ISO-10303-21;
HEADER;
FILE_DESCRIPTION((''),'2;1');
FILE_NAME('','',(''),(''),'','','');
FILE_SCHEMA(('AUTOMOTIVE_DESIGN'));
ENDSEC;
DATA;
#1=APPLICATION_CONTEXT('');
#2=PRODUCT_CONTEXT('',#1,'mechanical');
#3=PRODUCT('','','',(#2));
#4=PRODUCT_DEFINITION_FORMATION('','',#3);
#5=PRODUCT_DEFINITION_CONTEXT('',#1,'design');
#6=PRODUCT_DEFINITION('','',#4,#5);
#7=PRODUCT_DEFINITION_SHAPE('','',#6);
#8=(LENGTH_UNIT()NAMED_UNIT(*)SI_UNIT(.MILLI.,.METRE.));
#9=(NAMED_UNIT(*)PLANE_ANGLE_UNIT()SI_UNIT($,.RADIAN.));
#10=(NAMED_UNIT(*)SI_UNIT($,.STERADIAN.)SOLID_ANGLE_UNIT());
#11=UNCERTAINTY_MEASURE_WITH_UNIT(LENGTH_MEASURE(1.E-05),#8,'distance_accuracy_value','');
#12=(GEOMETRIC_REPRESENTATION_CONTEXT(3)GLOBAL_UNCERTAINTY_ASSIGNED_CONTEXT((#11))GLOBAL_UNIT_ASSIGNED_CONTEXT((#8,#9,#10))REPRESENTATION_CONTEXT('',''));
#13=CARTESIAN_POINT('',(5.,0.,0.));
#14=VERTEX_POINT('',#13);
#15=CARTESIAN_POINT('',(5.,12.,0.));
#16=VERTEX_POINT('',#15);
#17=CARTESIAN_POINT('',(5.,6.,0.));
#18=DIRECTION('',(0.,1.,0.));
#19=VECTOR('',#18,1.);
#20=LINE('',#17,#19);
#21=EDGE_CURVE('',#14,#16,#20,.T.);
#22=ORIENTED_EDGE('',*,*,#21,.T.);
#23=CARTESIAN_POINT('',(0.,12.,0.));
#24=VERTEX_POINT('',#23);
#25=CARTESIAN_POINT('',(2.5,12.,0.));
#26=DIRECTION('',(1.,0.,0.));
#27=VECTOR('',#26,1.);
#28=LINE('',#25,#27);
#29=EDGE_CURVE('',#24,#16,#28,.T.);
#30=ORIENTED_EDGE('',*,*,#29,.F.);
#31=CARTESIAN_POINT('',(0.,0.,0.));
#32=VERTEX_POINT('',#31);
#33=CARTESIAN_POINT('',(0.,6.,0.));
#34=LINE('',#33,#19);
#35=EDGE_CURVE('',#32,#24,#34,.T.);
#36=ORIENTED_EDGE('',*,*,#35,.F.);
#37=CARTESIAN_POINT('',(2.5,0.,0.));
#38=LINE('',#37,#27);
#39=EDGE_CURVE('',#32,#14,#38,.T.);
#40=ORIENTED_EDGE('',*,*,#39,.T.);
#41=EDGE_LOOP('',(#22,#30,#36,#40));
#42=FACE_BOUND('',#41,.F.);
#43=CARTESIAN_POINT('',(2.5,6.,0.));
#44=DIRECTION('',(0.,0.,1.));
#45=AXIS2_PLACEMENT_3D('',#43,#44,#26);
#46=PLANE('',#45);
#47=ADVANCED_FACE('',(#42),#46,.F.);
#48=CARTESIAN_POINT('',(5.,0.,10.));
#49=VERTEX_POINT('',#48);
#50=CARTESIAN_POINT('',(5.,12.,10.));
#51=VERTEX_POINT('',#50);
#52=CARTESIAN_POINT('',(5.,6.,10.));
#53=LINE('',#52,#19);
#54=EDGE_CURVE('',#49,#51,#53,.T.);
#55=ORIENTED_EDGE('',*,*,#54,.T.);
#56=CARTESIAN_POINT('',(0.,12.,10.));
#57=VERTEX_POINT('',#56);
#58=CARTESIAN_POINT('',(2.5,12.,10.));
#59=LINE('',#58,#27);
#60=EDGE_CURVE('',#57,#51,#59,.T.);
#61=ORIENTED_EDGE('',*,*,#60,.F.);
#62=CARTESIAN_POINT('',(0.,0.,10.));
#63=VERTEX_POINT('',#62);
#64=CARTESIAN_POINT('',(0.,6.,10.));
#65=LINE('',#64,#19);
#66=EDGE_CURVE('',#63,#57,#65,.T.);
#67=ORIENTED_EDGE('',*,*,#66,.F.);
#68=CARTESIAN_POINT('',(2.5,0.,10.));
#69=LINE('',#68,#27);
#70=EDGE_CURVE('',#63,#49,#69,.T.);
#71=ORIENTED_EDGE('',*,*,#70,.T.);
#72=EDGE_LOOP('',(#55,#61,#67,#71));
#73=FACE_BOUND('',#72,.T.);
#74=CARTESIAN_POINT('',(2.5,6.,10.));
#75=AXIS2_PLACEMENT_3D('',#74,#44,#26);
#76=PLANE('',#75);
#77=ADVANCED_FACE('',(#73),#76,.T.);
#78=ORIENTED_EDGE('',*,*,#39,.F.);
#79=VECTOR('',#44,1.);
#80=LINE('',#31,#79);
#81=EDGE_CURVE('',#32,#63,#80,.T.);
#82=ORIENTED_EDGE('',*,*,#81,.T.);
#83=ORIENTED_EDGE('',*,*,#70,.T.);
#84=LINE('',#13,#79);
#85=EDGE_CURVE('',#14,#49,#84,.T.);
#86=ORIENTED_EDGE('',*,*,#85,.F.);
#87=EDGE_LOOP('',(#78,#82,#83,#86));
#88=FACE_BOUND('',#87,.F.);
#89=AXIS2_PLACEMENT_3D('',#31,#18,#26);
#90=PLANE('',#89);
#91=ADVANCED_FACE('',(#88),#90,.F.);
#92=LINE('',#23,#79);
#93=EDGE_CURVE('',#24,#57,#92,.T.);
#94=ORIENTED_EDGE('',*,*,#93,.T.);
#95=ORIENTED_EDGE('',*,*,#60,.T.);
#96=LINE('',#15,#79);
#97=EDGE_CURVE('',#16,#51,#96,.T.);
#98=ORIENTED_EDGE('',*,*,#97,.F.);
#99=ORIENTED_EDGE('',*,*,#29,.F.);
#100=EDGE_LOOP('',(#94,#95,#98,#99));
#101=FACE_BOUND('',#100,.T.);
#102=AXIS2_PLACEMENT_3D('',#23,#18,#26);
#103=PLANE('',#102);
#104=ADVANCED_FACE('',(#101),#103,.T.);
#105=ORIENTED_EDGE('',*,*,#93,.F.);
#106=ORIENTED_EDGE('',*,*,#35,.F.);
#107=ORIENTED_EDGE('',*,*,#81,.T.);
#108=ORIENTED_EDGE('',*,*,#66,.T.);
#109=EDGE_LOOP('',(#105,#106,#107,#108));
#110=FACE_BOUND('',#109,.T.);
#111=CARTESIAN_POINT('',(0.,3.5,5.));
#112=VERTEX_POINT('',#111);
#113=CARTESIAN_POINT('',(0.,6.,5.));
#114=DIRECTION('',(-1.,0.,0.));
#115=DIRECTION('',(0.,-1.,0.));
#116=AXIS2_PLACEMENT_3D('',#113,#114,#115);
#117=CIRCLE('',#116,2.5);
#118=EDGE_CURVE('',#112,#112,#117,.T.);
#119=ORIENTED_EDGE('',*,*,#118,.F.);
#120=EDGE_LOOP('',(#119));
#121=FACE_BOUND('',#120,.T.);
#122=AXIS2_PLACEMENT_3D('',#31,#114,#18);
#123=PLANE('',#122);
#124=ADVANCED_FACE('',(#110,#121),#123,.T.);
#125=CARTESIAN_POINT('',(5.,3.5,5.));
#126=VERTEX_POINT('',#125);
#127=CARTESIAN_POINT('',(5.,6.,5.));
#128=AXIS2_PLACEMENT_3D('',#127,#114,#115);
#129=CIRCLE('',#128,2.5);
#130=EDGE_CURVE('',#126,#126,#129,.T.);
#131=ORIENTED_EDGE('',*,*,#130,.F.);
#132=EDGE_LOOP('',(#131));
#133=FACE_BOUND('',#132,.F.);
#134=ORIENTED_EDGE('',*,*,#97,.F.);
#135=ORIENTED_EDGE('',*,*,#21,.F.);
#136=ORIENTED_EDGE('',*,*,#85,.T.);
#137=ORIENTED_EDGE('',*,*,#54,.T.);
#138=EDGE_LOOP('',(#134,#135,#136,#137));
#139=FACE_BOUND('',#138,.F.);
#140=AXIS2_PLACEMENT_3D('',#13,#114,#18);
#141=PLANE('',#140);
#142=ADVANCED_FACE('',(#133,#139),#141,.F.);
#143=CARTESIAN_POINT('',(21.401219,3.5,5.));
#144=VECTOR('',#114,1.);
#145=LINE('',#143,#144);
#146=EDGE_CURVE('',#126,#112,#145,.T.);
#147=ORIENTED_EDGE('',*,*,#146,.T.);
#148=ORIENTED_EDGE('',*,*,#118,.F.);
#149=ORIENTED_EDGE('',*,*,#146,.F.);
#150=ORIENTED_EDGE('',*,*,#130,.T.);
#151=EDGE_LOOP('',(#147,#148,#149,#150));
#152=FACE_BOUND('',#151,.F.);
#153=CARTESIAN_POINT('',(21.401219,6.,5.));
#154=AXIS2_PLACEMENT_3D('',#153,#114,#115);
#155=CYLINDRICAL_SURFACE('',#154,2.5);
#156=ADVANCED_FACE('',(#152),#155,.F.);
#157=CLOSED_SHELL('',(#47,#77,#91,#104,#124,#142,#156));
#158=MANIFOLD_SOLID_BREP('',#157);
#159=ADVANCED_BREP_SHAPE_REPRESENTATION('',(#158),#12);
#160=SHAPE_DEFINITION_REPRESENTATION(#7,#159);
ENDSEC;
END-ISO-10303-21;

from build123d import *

# Parameters (mm, degrees)
F0_W     = 5
F0_H     = 12
F1_DEPTH = 10
F3_D     = 5


with BuildPart() as f1:
    # F0 (on Top) → F1 (new body)
    with BuildSketch(Plane.XY):
        with Locations((2.5, 6)):
            Rectangle(F0_W, F0_H)
    extrude(amount=F1_DEPTH)

    # F3 (through all)
    with Locations(Plane.YZ.offset(5)):
        with Locations((6, 5)):
            Hole(F3_D / 2)


solid = f1.part
